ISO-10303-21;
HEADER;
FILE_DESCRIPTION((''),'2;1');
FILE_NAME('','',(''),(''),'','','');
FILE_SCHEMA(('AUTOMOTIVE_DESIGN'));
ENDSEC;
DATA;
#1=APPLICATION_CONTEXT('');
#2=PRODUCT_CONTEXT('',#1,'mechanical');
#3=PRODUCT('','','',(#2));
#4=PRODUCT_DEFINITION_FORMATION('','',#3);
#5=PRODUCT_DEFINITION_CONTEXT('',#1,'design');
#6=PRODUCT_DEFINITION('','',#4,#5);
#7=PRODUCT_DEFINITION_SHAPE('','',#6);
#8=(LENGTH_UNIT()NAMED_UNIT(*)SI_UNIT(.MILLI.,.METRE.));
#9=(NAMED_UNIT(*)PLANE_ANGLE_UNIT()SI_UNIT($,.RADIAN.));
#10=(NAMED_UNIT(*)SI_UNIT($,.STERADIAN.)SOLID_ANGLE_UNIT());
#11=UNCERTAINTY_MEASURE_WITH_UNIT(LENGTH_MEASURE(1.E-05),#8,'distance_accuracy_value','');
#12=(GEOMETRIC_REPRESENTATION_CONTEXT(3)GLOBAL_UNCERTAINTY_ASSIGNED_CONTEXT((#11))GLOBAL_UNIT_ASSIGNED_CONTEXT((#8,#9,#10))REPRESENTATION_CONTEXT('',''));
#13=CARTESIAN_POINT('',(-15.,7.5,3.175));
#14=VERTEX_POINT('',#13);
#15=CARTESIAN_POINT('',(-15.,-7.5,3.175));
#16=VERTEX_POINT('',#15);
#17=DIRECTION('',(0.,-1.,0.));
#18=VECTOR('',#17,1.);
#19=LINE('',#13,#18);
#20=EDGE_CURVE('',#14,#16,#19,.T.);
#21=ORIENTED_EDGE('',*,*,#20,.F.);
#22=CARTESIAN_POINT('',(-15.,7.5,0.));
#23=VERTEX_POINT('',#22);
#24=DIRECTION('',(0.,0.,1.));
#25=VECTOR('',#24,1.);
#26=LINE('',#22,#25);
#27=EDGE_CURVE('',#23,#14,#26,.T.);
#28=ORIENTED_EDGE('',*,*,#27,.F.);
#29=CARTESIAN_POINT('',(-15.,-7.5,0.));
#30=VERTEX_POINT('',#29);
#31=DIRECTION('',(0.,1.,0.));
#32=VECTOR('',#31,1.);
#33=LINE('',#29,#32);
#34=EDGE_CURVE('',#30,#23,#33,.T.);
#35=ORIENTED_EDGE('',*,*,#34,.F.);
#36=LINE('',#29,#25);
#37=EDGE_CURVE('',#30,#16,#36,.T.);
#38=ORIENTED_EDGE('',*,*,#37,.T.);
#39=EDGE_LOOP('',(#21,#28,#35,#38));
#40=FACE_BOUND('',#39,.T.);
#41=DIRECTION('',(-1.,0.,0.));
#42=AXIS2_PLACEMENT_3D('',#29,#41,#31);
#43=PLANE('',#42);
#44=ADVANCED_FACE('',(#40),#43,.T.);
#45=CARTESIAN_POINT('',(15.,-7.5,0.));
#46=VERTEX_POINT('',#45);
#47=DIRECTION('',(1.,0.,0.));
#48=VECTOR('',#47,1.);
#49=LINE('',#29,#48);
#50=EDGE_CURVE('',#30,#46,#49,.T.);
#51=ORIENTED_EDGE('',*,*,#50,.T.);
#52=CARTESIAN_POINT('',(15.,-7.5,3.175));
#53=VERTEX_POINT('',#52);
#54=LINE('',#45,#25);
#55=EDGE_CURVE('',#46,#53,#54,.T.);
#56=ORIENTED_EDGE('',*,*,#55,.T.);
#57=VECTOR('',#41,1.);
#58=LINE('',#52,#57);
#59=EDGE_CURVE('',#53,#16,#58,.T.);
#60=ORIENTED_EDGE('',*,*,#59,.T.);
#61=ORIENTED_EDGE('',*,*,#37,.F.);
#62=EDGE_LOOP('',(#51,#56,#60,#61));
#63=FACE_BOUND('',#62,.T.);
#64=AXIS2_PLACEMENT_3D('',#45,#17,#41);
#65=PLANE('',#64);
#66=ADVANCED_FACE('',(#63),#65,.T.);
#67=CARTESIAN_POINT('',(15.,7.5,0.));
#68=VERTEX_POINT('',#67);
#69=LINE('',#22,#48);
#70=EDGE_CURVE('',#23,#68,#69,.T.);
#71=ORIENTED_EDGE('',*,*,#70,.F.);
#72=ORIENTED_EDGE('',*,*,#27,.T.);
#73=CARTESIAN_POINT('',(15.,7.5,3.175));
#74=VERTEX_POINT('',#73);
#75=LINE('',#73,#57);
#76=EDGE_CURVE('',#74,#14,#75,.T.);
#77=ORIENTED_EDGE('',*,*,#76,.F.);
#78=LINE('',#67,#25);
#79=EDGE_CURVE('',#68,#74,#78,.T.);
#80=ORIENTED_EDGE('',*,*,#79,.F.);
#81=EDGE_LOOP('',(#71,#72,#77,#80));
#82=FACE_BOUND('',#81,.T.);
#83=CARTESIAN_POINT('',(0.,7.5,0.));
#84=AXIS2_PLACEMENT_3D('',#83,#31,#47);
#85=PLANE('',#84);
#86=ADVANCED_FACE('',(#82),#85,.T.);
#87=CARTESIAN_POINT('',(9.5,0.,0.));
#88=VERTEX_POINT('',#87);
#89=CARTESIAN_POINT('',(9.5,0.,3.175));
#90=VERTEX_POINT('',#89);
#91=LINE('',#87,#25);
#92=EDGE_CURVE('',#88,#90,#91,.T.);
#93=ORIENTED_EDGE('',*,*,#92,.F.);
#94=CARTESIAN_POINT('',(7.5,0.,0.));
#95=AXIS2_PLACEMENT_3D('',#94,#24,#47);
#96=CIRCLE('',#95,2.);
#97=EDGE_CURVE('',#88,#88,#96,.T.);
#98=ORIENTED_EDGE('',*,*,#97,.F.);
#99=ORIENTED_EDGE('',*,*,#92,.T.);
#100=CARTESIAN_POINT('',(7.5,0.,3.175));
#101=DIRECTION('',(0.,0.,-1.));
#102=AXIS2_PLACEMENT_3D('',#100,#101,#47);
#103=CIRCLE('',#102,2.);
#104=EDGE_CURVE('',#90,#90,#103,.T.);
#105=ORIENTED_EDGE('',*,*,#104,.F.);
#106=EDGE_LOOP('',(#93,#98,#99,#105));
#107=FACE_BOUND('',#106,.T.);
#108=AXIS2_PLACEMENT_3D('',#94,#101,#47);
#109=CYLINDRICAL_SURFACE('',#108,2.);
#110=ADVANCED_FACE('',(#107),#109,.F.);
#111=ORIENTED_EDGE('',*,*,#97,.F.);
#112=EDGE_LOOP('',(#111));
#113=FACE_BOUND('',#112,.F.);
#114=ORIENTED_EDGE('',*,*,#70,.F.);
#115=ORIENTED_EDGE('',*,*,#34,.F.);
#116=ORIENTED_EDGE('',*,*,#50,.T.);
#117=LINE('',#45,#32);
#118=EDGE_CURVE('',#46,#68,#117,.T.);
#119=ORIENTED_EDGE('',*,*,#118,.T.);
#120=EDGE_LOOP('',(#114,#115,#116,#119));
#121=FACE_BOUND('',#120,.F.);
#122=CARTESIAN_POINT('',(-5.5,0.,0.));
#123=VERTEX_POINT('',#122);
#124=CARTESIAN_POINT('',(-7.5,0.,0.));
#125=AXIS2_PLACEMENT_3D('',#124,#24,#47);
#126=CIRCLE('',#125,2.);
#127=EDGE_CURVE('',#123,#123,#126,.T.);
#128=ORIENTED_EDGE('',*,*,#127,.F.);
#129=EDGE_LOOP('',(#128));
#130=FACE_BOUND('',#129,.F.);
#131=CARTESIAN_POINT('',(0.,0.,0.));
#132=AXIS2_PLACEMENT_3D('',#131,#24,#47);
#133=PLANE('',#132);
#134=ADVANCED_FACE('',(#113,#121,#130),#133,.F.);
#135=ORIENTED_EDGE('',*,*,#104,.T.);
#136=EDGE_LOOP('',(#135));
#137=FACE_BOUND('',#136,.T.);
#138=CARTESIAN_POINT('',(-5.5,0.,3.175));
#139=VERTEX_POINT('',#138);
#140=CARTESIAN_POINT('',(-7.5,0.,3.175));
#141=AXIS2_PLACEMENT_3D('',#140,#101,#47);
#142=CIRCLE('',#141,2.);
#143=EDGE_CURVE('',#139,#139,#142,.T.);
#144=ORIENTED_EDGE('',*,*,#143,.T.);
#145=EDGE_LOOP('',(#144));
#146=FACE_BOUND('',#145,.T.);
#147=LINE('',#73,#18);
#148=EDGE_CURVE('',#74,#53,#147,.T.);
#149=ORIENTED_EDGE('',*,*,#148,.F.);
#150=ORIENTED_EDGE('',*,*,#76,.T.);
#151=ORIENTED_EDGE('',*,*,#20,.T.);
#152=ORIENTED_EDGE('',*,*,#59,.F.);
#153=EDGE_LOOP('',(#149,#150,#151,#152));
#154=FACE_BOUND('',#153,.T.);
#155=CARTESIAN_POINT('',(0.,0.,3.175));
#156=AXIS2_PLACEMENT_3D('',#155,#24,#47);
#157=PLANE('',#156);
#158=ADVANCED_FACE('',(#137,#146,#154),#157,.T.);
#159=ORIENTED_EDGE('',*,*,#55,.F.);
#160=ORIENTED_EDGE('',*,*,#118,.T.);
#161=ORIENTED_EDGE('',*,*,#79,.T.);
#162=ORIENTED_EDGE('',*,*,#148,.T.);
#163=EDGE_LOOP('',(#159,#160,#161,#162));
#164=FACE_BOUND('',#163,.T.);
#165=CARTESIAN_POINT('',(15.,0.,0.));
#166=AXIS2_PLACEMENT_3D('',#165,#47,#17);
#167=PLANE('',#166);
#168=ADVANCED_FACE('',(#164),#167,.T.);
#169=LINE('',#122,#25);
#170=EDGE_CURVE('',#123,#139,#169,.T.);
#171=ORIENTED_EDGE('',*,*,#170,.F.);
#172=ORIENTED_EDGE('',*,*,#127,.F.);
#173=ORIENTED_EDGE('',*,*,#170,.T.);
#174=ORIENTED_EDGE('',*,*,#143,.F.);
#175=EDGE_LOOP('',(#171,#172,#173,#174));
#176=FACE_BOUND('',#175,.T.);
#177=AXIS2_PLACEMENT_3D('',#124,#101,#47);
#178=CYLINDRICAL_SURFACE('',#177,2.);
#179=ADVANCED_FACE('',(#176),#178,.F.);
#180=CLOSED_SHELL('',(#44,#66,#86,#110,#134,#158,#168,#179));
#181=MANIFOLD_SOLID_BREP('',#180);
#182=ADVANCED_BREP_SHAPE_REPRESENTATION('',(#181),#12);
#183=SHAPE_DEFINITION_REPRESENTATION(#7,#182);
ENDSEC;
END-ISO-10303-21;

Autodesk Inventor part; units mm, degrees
ref_plane "YZ Plane" through (0, 0, 0) normal (1, 0, 0) x (0, 1, 0)
ref_plane "XZ Plane" through (0, 0, 0) normal (0, 1, 0) x (-1, 0, 0)
ref_plane "XY Plane" through (0, 0, 0) normal (0, 0, 1) x (1, 0, 0)
sketch "Sketch1" plane through (0, 0, 0) normal (0, 0, 1) x (1, 0, 0)
  line L0 (15, -7.5) -> (-15, -7.5)
  line L1 (-15, -7.5) -> (-15, 7.5)
  line L2 (-15, 7.5) -> (15, 7.5)
  line L3 (15, 7.5) -> (15, -7.5)
  line L4 (15, -7.5) -> (-15, 7.5) construction
  line L5 (-15, -7.5) -> (15, 7.5) construction
  circle A0 centre (-7.5, 0) radius 2
  circle A1 centre (7.5, 0) radius 2
  line L6 (-21, 0) -> (21, 0) projected
  line L7 (0, -10.5) -> (0, 10.5) projected
  line L8 (-7.5, 0) -> (7.5, 0)
  point P0 (0, 0)
  point P1 (0, 0)
  dimension "d10" = 30
  dimension "d11" = 15
  dimension "d12" = 4
  dimension "d13" = 15
extrude "Extrusion1" add sketch "Sketch1" along normal blind 3.175 contours L0 L7 L6 A1 L3 | L0 L1 L6 A0 L7 | L6 A1 L7 L2 L3 | L6 A0 L1 L2 L7
properties part number "soportes celda de carga"
